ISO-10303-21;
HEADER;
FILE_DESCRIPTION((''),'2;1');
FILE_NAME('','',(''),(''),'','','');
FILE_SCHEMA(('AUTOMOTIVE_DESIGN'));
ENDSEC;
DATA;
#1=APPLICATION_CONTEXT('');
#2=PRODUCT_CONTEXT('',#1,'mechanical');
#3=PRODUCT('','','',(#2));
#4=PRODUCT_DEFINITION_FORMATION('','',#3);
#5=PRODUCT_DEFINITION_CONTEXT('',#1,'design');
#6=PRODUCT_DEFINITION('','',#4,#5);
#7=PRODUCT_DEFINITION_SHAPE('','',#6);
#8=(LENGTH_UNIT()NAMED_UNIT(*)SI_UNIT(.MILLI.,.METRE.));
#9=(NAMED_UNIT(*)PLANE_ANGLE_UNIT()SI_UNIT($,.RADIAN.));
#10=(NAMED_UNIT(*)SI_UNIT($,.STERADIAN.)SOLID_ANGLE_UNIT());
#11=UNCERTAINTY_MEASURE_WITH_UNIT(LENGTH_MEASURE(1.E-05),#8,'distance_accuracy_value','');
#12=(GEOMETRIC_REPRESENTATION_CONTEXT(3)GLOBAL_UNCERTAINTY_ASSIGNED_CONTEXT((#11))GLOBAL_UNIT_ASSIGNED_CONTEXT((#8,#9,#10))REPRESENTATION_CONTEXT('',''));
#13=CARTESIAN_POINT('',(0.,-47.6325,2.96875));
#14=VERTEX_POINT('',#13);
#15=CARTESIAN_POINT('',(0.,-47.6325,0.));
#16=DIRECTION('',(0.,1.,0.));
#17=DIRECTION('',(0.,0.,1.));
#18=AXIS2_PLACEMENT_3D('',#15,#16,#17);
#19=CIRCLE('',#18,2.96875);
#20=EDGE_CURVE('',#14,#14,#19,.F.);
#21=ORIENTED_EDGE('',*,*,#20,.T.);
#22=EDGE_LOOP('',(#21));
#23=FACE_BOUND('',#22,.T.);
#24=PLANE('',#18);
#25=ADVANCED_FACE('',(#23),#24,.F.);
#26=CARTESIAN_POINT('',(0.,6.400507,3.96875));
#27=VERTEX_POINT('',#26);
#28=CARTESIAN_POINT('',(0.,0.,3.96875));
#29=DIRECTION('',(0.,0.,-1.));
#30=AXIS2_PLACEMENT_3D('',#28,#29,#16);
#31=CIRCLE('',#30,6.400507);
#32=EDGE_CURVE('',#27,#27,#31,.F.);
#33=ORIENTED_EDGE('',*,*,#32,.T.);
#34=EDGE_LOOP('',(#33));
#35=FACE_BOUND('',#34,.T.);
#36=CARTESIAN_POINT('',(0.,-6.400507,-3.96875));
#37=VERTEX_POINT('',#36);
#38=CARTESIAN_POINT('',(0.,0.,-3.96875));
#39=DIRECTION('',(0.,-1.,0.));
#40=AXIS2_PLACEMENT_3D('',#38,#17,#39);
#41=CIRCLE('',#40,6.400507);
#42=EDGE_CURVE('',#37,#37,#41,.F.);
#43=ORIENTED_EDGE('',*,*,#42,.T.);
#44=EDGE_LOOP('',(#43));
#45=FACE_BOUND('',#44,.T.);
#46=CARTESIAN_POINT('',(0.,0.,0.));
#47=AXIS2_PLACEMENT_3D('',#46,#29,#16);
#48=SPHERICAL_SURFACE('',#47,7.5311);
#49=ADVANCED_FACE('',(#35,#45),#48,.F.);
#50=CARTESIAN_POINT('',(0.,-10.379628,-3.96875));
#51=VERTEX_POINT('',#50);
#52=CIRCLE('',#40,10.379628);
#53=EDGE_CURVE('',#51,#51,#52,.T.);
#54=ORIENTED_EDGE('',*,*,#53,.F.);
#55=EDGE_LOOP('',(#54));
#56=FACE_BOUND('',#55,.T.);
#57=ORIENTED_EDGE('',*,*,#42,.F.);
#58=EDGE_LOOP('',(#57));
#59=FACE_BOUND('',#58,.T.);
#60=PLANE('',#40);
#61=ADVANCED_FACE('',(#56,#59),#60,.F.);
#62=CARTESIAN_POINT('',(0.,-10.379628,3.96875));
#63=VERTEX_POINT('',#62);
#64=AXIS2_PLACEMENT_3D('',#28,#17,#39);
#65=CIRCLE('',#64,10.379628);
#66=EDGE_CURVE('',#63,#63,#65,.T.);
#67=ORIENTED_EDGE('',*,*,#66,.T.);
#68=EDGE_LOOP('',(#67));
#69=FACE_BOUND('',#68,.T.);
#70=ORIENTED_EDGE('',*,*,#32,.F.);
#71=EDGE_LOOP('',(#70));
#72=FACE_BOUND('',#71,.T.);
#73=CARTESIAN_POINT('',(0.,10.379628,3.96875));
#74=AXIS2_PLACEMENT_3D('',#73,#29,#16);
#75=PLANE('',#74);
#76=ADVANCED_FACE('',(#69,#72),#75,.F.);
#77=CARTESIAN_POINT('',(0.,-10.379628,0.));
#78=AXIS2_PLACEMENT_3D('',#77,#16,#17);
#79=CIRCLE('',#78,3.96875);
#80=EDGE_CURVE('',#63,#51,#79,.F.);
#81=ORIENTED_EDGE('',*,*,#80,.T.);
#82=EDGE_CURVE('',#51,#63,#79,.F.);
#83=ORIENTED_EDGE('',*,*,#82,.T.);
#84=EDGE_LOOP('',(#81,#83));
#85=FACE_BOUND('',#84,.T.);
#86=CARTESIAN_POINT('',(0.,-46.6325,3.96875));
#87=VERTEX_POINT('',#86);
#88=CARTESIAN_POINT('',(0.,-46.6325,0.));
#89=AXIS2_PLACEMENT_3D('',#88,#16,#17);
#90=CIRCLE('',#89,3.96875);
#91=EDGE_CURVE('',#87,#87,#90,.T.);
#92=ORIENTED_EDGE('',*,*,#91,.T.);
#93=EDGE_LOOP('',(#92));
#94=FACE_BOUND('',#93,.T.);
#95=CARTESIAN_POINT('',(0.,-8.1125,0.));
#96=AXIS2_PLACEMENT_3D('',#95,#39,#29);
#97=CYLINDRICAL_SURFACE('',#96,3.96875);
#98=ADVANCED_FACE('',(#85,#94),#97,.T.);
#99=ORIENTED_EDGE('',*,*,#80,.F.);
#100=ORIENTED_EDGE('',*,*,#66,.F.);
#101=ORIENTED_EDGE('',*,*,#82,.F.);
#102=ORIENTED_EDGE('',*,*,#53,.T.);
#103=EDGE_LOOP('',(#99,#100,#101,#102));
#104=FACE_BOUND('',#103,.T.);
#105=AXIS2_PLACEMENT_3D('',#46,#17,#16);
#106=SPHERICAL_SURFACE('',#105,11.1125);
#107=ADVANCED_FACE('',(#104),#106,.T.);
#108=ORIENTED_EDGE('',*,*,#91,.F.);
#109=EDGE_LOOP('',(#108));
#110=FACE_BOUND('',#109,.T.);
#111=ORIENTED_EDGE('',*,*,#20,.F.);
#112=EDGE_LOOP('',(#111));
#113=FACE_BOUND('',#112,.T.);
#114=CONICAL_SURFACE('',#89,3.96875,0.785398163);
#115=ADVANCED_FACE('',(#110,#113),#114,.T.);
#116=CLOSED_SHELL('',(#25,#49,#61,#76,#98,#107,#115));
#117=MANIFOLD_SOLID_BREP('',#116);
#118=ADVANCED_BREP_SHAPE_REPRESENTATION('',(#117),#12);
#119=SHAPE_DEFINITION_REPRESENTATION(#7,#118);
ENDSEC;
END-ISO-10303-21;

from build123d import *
from build123d.topology import SkipClean

# Parameters (mm, degrees)
SKETCH5_R           = 3.96875
EXTRUDE2_DEPTH      = 3
EXTRUDE2_DEPTH_BACK = 36.52
CHAMFER1_SIZE       = 1


with BuildPart() as part:
    # Sketch3 → Revolve2 (revolve)
    with BuildSketch(Plane(origin=(0, 0, 0), x_dir=(0, 0, -1), z_dir=(1, 0, 0))):
        with BuildLine():
            Line((-3.96875, 10.379628109), (-3.96875, 0))
            Line((-3.96875, 0), (3.96875, 0))
            Line((3.96875, 0), (3.96875, 10.379628109))
            ThreePointArc((3.96875, 10.379628109), (0, 11.1125), (-3.96875, 10.379628109))
        make_face()
    revolve(axis=Axis((0, 0, 8.146649187), (0, 0, -1)))

    # Sketch2 → Cut-Revolve2 (revolve, cut)
    with BuildSketch(Plane(origin=(0, 0, 0), x_dir=(0, 0, -1), z_dir=(1, 0, 0))):
        with BuildLine():
            Line((0, 7.5311), (0, -7.5311))
            ThreePointArc((0, -7.5311), (7.5311, 0), (0, 7.5311))
        make_face()
    revolve(axis=Axis((0, 15.474361319, 0), (0, -1, 0)), mode=Mode.SUBTRACT)

    # Sketch5 → Extrude2 (add, two sides)
    with SkipClean():  # the faces are left unmerged after this step: merging them gives an invalid solid
        with BuildSketch(Plane(origin=(0, -11.1125, 0), x_dir=(-1, 0, 0), z_dir=(0, 1, 0))) as extrude2_sk:
            with Locations(Location((0, 0, 0), (0, 0, 90))):
                Circle(SKETCH5_R)
        extrude(amount=EXTRUDE2_DEPTH)
        extrude(extrude2_sk.sketch, amount=-EXTRUDE2_DEPTH_BACK)

    # Chamfer1
    chamfer1_edges = [part.edges().sort_by_distance(p)[0] for p in [
        (0, -47.6325, -3.96875),
    ]]
    chamfer(chamfer1_edges, length=CHAMFER1_SIZE)


solid = part.part
